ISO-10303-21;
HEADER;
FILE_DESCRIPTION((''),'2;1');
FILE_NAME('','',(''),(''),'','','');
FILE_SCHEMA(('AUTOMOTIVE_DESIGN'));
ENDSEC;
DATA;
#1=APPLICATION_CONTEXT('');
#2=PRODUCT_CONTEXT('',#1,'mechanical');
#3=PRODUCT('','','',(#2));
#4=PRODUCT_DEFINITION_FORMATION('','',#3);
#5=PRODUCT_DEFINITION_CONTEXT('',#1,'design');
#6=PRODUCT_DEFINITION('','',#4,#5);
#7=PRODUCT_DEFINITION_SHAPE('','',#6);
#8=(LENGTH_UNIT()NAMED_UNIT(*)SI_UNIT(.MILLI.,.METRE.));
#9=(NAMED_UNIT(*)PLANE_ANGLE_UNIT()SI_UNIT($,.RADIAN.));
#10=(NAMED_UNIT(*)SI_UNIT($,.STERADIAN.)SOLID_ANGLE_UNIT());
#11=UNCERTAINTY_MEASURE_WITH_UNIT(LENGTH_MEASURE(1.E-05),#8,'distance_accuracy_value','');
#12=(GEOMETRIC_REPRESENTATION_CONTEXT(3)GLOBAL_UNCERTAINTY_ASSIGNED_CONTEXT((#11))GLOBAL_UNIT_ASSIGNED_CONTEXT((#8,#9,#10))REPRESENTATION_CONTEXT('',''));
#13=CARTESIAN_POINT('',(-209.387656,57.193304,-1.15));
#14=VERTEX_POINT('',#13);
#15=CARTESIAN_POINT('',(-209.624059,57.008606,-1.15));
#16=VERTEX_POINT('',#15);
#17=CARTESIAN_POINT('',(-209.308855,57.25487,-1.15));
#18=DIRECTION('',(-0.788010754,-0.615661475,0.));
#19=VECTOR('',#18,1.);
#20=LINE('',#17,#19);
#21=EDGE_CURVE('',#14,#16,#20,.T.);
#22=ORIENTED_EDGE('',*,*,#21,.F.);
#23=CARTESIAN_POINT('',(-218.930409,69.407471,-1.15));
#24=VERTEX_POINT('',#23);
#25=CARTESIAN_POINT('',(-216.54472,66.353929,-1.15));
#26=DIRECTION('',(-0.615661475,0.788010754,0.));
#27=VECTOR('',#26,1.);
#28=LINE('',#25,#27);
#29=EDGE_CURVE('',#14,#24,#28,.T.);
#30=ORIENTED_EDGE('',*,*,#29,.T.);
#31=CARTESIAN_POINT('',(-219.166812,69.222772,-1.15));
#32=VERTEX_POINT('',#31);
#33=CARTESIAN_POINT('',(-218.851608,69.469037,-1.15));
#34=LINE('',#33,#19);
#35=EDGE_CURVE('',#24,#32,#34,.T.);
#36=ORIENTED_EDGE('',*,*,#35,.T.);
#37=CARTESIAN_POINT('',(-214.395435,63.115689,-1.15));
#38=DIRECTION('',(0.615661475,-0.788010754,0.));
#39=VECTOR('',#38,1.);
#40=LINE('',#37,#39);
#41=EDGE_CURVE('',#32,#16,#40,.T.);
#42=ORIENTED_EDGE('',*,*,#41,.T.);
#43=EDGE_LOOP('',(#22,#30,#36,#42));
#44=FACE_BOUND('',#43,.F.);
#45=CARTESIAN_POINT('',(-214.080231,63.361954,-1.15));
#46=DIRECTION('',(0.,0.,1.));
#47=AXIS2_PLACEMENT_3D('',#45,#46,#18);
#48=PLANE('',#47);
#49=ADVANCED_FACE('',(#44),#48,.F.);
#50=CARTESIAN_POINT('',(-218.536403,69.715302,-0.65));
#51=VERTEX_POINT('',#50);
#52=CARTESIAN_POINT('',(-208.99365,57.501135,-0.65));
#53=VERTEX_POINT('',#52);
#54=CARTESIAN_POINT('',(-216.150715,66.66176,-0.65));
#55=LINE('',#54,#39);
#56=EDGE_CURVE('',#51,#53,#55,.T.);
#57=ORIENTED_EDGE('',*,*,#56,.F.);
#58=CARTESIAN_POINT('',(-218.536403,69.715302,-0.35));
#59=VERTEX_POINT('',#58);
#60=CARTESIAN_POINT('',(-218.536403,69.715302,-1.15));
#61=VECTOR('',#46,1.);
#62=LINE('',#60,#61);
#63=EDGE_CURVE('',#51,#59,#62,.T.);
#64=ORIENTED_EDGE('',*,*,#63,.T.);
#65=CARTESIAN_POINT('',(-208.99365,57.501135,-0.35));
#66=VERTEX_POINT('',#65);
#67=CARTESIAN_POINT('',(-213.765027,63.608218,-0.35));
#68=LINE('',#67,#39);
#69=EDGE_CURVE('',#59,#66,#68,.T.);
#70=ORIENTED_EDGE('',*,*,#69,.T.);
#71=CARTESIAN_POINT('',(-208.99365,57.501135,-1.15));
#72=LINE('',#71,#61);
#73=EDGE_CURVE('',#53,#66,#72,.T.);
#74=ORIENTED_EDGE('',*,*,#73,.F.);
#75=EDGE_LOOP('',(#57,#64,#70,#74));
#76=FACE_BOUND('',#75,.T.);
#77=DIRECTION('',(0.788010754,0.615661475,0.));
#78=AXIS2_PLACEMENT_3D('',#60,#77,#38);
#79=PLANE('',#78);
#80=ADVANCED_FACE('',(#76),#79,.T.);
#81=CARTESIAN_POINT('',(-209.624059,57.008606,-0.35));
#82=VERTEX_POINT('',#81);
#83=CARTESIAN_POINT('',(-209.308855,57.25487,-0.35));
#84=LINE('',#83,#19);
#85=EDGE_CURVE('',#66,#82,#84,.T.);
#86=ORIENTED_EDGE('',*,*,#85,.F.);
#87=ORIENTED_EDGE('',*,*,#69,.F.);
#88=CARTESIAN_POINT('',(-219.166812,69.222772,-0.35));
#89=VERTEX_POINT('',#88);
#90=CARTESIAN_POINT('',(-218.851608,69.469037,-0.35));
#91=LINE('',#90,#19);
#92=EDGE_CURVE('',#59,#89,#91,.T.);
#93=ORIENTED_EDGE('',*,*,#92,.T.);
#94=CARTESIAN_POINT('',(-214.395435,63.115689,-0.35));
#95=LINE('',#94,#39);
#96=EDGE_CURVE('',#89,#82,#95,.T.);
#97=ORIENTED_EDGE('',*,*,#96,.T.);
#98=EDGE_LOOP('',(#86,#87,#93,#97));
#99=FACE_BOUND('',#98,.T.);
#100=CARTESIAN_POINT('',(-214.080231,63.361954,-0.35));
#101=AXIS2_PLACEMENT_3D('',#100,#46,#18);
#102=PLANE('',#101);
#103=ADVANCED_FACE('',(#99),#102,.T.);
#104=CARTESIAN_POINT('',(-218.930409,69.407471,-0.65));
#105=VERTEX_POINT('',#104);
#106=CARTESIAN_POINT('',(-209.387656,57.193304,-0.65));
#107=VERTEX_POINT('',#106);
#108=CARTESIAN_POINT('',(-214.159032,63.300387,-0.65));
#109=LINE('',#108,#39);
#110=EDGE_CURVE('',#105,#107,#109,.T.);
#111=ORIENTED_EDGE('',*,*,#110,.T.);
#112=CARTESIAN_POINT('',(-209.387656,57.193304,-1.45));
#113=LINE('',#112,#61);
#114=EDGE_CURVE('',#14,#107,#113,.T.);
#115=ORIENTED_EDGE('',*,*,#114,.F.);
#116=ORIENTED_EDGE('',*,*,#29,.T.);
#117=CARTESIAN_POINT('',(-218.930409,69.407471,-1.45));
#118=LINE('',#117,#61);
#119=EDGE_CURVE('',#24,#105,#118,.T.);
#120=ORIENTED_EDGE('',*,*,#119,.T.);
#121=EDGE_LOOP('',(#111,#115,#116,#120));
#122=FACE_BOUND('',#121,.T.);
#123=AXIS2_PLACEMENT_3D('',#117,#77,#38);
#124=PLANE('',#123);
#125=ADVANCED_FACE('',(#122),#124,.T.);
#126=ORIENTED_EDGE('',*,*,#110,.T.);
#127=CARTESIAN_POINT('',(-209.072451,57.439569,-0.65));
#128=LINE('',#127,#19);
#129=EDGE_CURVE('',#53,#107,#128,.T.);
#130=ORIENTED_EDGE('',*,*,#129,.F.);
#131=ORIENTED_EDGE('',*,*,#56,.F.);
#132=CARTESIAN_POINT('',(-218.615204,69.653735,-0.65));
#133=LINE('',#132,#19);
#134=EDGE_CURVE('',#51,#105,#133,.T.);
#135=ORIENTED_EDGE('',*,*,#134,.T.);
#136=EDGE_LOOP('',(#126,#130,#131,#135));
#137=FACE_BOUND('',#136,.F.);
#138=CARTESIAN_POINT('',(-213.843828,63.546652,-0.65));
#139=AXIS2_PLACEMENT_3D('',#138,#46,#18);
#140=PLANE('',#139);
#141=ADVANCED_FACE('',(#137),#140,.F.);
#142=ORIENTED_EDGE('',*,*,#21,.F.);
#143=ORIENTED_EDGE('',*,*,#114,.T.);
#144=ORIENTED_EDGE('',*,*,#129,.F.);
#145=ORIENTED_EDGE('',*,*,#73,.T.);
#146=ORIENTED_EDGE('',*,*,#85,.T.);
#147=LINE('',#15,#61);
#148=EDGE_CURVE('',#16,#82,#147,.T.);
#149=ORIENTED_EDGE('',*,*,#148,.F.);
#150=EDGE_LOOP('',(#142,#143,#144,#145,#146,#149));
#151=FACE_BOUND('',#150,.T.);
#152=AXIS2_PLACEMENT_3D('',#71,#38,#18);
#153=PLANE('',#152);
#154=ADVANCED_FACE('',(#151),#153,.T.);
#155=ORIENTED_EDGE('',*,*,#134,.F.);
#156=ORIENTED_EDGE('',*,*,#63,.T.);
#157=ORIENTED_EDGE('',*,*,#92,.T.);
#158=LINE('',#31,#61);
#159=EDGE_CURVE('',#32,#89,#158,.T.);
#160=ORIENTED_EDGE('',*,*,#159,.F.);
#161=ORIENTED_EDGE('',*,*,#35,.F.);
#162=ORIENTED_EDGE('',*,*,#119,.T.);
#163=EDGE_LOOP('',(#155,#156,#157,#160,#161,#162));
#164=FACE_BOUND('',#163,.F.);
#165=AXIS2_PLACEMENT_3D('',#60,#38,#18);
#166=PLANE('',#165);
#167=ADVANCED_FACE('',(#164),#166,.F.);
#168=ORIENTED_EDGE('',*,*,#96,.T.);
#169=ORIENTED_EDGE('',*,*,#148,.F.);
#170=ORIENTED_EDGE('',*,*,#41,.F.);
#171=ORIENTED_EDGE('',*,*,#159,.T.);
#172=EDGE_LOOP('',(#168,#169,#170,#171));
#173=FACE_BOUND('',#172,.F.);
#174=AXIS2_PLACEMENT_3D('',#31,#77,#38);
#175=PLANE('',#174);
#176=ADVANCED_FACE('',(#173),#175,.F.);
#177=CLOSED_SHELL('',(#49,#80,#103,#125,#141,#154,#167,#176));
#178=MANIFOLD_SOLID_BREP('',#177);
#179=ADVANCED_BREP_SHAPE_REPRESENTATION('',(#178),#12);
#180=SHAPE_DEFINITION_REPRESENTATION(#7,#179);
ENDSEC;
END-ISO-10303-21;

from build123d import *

# Parameters (mm, degrees)
BOX155_W               = 0.8
BOX155_H               = 15.5
BOX155_DEPTH           = 0.8
BOX156_W               = 0.8
BOX156_H               = 15.5
BOX156_DEPTH           = 0.8
CUT081_PLACEMENT_ANGLE = 218


with BuildPart() as cubo155:
    # Box155 → Box155 (new body)
    with BuildSketch(Plane.XY):
        with Locations((0.4, 7.75)):
            Rectangle(BOX155_W, BOX155_H)
    extrude(amount=BOX155_DEPTH)


with BuildPart() as perfil_l_2da_cara023:
    # Box156 → Box156 (new body)
    with BuildSketch(Plane(origin=(0.3, 0, 0.3), x_dir=(1, 0, 0), z_dir=(0, 0, 1))):
        with Locations((0.4, 7.75)):
            Rectangle(BOX156_W, BOX156_H)
    extrude(amount=BOX156_DEPTH)

    # Cut081: cut Cubo155
    add(cubo155.part, mode=Mode.SUBTRACT)


with BuildPart() as perfil_l_2da_cara023_1:
    # Cut081 placement: moved
    add(perfil_l_2da_cara023.part.moved(Location((-218.3, 69.9, -1.45))).rotate(Axis((-218.3, 69.9, -1.45), (0, 0, 1)), CUT081_PLACEMENT_ANGLE))


solid = perfil_l_2da_cara023_1.part
